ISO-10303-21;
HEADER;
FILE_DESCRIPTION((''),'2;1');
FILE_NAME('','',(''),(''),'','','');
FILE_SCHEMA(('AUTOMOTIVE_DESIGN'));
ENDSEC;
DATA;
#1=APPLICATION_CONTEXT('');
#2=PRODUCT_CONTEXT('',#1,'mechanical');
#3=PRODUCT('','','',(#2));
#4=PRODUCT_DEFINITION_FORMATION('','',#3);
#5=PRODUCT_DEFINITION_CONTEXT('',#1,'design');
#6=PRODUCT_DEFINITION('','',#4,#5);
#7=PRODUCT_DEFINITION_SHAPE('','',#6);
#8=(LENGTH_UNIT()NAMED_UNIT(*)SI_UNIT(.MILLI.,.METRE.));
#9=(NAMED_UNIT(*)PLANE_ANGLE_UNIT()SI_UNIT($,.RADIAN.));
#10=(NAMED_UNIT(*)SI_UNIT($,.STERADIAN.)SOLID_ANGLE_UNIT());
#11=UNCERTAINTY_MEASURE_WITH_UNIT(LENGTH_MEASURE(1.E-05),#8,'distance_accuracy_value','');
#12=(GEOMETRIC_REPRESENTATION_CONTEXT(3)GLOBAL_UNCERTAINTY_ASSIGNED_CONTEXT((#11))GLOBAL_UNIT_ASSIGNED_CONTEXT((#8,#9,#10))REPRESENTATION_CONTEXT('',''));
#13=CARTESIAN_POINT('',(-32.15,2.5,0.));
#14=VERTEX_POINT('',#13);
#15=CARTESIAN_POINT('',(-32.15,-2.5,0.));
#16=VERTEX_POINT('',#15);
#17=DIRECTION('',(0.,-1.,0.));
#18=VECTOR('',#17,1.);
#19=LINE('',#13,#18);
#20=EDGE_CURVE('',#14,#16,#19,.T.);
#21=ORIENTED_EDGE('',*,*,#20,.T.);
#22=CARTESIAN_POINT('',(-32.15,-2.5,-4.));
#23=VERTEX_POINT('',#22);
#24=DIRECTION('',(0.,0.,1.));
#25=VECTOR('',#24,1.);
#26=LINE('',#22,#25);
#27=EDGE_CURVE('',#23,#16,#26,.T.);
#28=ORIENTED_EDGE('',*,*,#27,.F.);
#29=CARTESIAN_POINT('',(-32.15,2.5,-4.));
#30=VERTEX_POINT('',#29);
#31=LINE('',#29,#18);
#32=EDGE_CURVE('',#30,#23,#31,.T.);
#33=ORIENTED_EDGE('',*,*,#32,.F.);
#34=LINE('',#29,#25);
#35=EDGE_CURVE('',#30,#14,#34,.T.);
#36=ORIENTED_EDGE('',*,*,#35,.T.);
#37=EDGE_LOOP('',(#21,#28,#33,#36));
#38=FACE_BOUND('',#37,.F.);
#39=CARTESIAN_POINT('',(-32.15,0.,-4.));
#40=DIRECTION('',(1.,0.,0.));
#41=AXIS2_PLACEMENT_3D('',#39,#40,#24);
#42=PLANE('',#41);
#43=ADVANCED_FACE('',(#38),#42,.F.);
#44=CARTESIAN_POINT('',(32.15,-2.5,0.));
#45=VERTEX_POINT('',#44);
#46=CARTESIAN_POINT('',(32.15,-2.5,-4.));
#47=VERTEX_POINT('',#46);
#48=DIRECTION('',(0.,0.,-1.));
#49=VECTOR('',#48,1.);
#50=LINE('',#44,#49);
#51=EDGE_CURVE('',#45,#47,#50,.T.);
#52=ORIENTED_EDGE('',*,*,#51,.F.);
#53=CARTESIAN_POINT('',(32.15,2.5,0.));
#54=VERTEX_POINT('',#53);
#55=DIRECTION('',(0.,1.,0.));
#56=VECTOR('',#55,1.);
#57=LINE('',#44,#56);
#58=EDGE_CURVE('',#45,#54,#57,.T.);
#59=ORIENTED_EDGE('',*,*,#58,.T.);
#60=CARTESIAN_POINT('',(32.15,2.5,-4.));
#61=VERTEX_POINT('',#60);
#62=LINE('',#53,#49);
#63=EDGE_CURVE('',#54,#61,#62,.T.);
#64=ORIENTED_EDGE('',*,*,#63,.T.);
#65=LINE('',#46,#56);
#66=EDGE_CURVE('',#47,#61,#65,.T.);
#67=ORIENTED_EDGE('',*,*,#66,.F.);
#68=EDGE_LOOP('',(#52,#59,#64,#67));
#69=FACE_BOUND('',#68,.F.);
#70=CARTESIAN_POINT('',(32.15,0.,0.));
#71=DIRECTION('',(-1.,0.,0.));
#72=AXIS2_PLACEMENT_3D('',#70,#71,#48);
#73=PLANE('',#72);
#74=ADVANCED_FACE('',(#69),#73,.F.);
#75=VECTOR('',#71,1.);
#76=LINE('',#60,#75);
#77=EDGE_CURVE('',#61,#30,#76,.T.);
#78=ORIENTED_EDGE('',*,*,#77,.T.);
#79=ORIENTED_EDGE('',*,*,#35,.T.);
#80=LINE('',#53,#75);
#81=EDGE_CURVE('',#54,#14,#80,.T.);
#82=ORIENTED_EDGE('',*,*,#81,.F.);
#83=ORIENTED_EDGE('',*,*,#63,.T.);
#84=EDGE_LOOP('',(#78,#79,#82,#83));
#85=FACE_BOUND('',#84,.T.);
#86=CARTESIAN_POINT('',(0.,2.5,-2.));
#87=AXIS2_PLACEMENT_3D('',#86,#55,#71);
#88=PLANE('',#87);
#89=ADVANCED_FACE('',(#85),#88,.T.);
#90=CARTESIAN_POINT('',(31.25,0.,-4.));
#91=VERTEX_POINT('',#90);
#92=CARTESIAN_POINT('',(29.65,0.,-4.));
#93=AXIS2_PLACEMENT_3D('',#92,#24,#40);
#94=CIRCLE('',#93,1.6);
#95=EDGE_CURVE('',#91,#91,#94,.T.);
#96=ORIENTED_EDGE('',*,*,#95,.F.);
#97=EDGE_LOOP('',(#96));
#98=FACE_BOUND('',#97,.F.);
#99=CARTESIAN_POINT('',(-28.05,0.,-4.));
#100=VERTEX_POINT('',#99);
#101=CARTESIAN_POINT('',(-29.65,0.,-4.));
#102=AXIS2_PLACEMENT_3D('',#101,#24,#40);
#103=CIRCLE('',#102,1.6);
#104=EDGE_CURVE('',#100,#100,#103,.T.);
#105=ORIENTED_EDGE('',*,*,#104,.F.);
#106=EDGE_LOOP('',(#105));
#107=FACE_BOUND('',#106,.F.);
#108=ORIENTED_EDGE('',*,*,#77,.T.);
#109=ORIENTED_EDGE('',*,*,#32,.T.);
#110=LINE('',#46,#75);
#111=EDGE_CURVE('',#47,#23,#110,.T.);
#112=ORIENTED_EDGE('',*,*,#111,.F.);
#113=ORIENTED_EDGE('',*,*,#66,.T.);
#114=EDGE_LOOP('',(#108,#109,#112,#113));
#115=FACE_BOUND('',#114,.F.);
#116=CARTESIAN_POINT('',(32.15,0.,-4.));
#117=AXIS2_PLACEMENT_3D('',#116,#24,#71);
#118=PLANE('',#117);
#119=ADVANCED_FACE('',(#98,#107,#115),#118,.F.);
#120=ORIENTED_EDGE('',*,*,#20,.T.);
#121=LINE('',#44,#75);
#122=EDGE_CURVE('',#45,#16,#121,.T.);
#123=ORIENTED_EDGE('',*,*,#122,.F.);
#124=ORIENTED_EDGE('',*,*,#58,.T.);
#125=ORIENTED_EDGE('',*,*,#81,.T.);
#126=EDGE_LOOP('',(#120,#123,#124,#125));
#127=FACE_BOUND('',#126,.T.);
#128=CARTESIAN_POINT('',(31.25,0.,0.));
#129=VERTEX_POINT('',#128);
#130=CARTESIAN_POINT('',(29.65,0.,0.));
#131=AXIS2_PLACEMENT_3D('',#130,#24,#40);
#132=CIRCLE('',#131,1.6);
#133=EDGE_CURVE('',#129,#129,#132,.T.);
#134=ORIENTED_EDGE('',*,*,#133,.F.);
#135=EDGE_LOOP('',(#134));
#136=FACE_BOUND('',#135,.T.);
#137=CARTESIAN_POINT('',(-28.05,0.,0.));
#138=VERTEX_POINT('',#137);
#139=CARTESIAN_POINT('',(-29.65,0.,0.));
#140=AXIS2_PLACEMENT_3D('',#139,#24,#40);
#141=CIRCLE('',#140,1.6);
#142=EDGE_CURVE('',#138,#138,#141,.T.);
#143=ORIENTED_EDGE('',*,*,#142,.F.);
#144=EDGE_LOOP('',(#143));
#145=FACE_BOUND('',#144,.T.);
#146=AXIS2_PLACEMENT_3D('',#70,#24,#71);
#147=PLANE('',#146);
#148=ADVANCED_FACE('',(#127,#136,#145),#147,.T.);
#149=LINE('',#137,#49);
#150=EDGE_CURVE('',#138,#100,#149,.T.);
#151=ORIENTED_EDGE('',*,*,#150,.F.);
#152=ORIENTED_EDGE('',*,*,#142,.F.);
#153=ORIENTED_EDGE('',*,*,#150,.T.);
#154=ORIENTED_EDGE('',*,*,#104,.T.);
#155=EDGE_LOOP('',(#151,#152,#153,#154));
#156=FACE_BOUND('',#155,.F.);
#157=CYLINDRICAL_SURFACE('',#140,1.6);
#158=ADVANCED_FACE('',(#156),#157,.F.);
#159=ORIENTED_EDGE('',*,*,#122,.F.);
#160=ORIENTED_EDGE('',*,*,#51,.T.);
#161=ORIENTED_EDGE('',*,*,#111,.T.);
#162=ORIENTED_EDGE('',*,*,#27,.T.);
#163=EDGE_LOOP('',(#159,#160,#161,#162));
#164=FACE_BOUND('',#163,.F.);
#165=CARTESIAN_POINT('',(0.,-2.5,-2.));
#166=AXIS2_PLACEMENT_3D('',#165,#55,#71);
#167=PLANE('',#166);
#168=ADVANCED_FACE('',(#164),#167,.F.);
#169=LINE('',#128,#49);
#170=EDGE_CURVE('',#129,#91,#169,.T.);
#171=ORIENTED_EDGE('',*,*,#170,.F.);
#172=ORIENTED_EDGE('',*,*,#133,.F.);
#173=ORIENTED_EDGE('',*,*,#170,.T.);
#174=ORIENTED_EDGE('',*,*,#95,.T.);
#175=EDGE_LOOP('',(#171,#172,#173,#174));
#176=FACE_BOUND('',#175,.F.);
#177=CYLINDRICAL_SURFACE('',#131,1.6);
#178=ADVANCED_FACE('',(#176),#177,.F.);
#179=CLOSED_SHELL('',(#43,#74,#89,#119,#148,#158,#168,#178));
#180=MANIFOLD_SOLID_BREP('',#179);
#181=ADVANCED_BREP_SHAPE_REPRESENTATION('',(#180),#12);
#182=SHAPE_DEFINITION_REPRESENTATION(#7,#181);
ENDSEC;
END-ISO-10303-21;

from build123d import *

# Parameters (mm, degrees)
PAD_DEPTH       = 2.5
SKETCH002_R     = 1.6
POCKET001_DEPTH = 4.001


with BuildPart() as part:
    # Sketch → Pad (new body, symmetric)
    with BuildSketch(Plane.XZ):
        Polygon((-27.15, 0), (27.15, 0), (32.15, 0), (32.15, -4), (-32.15, -4), (-32.15, 0), align=None)
    extrude(amount=PAD_DEPTH, both=True)

    # Sketch002 → Pocket001 (cut, through all)
    with BuildSketch(Plane.XY):
        with Locations((29.65, 0)):
            Circle(SKETCH002_R)
        with Locations((-29.65, 0)):
            Circle(SKETCH002_R)
    extrude(amount=-POCKET001_DEPTH, mode=Mode.SUBTRACT)


solid = part.part
